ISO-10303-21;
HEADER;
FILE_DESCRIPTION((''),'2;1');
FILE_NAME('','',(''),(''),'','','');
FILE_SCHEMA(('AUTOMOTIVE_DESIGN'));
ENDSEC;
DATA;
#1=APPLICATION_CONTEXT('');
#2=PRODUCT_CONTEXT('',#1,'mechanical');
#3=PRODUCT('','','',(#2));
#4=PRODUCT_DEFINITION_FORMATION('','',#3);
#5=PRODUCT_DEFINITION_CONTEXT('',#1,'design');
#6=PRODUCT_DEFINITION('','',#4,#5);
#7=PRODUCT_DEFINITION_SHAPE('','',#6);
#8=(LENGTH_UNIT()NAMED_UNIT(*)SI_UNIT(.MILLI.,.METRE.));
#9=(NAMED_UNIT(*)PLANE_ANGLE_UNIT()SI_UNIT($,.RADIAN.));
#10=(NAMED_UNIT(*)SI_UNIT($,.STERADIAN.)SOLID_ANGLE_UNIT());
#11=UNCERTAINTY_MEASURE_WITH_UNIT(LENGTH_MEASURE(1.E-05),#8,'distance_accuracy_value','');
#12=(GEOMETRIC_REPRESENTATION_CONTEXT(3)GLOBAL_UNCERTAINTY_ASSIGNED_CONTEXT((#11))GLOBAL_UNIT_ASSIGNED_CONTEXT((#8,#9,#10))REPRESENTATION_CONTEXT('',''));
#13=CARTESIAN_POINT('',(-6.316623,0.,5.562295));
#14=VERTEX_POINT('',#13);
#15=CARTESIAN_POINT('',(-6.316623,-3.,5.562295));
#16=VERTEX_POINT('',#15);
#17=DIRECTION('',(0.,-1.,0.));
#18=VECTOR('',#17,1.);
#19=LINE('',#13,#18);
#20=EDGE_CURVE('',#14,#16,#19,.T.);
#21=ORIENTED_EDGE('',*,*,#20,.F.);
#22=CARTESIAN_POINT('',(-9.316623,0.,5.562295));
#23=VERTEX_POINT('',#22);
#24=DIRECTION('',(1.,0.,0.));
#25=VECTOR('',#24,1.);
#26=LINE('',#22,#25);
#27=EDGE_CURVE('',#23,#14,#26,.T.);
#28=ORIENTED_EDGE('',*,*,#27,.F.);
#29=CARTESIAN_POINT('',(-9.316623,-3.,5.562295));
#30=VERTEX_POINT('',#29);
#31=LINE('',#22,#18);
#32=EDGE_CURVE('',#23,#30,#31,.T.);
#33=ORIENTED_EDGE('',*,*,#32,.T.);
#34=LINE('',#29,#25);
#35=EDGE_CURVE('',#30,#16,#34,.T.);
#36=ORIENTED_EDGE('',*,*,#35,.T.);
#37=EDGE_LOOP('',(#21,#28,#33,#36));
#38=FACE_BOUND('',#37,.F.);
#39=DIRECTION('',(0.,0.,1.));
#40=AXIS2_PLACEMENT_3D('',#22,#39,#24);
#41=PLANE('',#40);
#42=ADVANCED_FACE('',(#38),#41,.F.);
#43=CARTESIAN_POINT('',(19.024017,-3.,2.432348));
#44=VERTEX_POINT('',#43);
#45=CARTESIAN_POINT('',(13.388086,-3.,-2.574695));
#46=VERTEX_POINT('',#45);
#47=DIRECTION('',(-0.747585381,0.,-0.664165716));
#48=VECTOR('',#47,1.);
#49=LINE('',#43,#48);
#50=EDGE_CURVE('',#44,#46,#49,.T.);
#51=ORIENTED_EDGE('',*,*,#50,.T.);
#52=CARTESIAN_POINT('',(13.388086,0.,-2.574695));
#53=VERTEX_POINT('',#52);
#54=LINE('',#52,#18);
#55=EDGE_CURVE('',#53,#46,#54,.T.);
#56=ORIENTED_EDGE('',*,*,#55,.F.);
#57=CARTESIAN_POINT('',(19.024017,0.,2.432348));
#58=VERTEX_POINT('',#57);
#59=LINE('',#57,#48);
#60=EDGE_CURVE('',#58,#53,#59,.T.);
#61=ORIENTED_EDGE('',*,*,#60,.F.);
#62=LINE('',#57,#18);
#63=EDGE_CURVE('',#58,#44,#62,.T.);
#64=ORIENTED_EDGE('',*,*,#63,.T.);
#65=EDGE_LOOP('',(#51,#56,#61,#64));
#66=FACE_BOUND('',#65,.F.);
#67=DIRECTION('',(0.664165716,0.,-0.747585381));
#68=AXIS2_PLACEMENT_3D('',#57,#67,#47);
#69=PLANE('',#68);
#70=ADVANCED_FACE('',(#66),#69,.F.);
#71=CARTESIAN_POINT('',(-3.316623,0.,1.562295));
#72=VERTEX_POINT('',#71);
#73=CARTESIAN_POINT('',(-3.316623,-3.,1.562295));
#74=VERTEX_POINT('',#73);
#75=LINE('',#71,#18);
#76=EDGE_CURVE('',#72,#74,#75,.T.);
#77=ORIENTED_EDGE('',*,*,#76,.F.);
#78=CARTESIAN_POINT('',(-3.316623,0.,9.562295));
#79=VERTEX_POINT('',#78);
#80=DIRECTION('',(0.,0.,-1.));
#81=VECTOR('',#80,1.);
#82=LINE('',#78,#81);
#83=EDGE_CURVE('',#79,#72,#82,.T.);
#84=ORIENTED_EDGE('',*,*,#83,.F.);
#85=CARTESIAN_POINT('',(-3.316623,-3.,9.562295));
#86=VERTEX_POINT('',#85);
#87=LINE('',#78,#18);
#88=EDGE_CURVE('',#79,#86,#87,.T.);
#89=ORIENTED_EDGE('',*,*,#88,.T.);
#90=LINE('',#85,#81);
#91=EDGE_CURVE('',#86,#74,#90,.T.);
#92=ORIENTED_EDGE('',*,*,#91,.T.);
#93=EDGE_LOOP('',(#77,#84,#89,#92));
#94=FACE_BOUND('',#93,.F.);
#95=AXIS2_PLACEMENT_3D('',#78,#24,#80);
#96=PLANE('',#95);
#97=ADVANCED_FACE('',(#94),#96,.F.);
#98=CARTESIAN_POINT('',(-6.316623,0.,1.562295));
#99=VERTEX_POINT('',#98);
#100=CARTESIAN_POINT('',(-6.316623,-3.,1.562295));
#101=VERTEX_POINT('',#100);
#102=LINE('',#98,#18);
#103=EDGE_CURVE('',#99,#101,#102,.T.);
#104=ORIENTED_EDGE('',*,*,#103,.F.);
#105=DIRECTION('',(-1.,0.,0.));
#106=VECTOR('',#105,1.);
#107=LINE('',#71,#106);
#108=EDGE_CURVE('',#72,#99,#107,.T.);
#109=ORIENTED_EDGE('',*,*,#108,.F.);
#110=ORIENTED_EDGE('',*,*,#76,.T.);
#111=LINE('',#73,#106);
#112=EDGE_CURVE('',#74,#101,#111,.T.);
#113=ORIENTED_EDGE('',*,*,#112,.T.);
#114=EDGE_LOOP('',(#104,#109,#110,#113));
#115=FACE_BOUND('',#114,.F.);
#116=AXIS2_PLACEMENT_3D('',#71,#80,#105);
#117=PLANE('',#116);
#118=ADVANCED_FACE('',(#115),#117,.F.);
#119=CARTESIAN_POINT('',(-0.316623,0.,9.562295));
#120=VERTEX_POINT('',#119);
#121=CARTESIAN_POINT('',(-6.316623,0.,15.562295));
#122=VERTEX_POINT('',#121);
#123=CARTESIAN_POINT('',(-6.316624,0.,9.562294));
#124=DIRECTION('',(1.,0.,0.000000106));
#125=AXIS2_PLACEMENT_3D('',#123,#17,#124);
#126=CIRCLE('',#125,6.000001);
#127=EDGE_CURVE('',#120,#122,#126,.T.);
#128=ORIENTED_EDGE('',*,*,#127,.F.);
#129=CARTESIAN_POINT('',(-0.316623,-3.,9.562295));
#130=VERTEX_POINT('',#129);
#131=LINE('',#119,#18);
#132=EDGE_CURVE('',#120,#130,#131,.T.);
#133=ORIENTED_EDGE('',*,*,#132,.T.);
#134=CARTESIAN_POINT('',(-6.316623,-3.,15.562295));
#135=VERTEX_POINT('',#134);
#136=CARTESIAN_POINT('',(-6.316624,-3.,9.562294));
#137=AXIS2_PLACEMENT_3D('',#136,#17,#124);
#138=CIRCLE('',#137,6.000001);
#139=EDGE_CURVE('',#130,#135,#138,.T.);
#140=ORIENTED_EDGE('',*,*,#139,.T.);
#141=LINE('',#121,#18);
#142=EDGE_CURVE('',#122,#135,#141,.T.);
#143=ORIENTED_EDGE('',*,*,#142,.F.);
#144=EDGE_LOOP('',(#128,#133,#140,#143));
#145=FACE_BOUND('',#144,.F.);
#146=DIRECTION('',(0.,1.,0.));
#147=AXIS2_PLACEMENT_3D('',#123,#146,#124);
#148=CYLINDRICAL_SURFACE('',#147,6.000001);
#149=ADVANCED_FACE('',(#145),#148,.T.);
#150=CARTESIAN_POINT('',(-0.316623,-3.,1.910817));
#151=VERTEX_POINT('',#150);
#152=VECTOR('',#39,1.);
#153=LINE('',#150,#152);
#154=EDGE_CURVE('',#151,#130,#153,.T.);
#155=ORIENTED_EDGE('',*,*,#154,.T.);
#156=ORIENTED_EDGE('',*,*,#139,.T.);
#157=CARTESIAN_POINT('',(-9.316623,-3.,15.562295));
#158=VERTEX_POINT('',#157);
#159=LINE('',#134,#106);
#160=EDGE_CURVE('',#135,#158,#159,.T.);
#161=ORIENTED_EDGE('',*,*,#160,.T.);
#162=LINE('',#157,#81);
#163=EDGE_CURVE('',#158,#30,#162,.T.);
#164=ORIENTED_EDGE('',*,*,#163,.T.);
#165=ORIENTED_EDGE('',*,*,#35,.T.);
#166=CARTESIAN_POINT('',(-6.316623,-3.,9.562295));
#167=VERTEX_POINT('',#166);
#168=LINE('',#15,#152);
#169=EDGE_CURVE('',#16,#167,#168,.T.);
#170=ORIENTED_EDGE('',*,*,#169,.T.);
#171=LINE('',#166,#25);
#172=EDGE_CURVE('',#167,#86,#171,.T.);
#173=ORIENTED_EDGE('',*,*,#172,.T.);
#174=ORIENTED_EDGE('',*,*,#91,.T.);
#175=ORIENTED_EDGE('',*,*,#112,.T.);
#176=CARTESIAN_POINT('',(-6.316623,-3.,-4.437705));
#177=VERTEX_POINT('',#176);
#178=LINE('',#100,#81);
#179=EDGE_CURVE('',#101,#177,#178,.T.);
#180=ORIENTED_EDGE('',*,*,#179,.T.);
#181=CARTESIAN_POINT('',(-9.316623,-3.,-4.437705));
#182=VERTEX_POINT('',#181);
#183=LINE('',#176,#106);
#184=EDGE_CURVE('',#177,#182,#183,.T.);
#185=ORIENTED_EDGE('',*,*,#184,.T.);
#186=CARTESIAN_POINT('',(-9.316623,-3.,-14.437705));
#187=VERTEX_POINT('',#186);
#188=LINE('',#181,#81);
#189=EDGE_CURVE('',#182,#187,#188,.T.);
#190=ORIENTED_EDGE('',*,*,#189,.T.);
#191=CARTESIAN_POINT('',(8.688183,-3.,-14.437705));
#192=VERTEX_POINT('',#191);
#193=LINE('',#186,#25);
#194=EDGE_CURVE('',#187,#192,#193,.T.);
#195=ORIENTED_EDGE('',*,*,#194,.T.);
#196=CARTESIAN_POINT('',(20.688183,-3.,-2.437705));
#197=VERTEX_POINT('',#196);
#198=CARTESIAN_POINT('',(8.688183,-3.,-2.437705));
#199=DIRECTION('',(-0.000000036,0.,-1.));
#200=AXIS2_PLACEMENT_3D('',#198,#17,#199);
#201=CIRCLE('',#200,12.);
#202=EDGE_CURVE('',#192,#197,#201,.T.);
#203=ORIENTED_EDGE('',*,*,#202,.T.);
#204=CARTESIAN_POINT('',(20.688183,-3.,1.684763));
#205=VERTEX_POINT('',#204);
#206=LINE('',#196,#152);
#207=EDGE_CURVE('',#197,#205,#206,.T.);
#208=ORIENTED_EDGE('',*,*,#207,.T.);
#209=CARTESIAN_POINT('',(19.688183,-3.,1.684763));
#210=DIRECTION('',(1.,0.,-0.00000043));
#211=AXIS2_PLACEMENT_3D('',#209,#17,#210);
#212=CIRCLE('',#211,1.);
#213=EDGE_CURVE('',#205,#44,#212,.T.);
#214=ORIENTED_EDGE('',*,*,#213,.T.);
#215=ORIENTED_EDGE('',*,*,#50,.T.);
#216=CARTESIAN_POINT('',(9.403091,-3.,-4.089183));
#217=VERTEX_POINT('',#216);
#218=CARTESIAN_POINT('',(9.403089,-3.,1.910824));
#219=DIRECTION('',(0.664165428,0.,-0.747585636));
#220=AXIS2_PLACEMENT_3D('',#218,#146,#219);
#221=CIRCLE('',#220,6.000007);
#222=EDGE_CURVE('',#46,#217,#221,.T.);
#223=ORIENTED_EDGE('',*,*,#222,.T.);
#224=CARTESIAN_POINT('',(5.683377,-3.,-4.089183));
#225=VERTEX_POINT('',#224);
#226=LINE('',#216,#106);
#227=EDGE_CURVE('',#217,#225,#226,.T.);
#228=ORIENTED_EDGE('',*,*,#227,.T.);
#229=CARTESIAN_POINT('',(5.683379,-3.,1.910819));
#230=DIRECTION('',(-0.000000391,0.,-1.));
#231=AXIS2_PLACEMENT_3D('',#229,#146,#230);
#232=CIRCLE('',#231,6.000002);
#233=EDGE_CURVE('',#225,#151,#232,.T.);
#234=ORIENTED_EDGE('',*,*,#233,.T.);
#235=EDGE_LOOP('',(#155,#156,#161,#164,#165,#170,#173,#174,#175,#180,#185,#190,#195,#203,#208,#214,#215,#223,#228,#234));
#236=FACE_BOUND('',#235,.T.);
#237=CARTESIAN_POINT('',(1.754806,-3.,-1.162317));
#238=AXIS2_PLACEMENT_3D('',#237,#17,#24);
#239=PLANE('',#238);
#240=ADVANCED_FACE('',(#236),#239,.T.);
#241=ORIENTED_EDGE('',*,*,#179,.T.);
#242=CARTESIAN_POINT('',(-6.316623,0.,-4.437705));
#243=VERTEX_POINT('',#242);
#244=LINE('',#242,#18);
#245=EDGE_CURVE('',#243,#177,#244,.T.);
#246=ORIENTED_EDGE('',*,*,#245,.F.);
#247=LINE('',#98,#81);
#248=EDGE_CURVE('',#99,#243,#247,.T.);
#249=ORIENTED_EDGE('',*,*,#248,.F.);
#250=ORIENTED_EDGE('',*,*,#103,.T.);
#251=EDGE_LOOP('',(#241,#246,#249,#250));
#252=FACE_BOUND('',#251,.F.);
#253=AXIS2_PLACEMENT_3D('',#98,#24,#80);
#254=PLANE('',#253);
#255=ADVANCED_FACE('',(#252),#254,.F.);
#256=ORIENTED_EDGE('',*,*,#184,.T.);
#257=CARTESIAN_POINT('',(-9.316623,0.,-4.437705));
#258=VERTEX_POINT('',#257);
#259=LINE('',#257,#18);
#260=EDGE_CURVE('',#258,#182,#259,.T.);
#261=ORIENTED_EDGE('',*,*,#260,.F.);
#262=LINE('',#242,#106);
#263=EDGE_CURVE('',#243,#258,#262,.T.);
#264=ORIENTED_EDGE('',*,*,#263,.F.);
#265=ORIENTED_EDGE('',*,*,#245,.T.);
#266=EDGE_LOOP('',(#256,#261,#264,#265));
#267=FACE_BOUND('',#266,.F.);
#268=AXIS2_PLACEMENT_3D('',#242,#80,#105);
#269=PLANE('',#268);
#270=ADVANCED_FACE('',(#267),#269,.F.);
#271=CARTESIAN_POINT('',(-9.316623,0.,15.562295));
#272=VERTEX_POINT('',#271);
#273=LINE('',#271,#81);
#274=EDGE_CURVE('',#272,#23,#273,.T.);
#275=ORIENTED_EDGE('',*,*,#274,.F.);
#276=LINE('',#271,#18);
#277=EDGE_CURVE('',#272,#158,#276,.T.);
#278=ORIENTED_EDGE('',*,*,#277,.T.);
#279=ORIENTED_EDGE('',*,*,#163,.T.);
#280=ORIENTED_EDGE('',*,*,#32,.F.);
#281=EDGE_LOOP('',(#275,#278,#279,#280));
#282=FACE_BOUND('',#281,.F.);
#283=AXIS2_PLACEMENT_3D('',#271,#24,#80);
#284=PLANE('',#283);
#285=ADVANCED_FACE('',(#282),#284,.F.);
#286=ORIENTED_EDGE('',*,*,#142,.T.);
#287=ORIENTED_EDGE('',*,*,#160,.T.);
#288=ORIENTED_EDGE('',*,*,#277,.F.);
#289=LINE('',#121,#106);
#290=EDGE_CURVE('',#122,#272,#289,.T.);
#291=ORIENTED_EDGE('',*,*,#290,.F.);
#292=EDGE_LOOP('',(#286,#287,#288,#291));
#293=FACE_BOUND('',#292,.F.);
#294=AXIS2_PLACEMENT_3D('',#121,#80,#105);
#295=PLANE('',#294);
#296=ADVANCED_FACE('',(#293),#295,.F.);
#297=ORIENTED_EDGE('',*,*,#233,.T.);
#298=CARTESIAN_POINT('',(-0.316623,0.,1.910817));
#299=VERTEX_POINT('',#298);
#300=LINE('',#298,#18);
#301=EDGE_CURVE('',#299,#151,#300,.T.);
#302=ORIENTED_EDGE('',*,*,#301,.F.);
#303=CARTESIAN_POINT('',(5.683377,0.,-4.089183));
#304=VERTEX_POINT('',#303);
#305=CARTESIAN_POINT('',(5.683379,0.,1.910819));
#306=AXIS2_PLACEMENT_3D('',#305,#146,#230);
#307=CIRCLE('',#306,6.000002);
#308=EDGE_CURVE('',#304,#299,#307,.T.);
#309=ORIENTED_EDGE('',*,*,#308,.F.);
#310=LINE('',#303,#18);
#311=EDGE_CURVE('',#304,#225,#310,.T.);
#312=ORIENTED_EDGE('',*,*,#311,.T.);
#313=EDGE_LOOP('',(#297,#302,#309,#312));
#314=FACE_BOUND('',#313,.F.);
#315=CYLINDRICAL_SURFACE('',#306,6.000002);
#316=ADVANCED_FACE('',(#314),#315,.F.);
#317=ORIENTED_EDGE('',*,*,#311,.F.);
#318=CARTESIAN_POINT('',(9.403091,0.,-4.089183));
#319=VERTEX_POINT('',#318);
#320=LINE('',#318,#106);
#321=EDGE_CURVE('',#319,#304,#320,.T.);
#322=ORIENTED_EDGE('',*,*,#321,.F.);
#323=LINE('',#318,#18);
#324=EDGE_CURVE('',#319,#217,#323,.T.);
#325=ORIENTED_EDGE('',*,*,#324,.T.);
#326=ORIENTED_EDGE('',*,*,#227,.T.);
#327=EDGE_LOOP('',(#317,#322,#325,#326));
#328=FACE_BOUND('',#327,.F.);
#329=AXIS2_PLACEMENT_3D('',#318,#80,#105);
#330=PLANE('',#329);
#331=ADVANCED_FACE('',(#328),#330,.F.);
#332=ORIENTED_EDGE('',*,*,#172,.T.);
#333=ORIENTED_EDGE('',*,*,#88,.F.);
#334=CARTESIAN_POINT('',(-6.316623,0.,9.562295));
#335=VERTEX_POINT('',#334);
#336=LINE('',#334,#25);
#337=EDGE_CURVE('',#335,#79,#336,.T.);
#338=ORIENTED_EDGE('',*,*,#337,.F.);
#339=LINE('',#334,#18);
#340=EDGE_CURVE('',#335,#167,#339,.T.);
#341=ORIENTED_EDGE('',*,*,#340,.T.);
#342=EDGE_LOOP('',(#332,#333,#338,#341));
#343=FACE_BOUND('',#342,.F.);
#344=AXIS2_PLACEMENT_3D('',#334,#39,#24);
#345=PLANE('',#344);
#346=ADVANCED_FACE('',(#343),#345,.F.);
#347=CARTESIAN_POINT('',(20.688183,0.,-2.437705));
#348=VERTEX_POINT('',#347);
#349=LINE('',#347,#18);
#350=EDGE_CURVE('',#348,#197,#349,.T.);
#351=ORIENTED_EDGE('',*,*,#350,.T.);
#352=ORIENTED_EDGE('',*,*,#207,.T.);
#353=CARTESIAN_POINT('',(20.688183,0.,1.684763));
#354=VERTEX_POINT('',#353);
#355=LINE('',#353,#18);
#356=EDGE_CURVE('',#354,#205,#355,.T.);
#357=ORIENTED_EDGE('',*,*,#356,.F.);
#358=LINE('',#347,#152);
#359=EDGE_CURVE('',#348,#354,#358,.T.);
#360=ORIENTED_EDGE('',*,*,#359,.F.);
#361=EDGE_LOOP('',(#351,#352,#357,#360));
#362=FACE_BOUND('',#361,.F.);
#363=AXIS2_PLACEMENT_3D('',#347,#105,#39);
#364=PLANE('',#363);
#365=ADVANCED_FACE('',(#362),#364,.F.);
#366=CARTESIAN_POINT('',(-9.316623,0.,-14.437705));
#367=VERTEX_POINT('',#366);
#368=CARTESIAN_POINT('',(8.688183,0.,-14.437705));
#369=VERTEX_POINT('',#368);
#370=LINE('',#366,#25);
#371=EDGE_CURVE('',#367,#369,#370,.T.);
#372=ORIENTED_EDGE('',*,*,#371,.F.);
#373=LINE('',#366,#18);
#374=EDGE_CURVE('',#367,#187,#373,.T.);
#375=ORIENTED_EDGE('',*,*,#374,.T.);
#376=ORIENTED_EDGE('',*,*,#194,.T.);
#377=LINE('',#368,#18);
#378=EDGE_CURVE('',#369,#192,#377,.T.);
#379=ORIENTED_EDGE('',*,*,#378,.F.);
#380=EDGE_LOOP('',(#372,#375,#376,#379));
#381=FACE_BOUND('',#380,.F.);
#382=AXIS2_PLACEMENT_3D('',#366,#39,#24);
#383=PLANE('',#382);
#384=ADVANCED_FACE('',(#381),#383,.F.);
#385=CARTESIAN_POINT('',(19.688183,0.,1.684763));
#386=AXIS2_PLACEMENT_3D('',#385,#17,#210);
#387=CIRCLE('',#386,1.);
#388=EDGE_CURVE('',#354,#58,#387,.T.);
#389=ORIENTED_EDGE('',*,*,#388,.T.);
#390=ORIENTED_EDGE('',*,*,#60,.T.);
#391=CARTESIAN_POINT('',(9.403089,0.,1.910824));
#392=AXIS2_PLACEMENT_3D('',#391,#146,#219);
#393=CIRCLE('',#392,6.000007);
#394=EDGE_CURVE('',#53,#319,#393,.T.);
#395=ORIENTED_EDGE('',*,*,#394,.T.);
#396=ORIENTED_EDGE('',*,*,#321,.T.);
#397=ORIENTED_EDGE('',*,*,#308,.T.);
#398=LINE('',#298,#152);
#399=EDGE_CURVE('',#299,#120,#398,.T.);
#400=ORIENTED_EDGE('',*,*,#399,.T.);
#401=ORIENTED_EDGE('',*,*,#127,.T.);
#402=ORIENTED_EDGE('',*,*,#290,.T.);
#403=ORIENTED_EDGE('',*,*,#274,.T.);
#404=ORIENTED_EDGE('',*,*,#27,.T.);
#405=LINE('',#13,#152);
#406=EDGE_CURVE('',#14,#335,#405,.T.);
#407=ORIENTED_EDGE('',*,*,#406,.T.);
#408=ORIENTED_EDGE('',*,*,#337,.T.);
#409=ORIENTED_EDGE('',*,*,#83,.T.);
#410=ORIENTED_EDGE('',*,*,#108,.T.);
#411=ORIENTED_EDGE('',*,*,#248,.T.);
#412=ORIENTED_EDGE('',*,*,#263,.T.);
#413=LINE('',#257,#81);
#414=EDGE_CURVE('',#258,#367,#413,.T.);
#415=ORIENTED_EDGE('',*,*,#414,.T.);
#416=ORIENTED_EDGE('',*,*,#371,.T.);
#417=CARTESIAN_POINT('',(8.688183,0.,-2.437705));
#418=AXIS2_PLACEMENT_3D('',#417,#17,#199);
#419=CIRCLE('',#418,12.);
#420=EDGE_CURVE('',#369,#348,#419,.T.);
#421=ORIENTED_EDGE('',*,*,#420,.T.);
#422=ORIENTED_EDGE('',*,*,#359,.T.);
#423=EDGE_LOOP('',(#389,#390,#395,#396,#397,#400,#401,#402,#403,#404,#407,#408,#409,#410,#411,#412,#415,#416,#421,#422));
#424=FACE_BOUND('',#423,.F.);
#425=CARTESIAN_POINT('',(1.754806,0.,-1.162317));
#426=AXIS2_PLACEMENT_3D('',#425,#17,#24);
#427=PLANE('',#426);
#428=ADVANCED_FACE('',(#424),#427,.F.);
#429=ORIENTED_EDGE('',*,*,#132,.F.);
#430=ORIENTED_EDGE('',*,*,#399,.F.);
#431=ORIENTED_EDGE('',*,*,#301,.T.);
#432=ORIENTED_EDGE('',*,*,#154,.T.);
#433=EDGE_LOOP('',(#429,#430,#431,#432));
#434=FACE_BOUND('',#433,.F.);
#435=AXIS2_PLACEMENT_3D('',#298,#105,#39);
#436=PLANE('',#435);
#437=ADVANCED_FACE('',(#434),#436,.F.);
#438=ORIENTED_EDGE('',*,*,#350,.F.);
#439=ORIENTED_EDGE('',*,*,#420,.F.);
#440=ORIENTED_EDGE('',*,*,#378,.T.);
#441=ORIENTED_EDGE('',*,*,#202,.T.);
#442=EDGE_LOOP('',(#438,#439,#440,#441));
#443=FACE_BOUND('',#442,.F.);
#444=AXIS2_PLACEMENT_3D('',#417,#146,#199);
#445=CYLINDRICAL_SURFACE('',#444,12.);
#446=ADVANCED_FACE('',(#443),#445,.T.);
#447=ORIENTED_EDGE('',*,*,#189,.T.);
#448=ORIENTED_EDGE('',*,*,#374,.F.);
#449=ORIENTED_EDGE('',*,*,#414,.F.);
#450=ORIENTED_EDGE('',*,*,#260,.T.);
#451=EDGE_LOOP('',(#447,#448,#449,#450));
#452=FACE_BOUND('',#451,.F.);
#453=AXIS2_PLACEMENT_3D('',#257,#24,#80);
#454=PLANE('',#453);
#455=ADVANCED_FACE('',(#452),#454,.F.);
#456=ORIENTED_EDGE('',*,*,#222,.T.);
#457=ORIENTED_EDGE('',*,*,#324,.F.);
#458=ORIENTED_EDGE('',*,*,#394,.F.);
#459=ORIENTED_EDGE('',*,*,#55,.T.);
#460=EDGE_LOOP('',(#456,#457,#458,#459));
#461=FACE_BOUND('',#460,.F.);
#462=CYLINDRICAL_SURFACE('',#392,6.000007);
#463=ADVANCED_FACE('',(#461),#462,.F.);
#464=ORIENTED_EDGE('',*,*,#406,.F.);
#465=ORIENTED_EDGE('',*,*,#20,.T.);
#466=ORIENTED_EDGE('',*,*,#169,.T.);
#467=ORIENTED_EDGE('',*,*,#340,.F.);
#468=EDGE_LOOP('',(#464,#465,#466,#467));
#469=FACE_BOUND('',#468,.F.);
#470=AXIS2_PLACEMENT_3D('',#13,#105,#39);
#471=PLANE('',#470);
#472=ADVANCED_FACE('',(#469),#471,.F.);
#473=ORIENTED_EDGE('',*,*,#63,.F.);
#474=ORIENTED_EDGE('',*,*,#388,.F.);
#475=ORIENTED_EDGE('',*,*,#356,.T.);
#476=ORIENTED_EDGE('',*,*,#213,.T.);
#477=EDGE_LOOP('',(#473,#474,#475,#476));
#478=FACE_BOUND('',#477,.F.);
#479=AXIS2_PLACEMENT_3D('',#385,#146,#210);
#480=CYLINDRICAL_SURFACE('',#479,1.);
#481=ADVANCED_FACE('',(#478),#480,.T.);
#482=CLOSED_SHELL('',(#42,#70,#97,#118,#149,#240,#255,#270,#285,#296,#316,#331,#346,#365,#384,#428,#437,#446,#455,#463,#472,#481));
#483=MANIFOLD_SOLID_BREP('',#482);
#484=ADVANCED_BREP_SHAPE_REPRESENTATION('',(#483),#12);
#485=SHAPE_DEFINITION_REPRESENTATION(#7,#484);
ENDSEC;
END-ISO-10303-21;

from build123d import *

# Parameters (mm, degrees)
F1_DEPTH = 3


with BuildPart() as f1:
    # F0 (on Front) → F1 (new body)
    with BuildSketch(Plane.XZ):
        with BuildLine():
            Line((-9.316623, -4.437705), (-9.316623, -14.437705))
            Line((-9.316623, -14.437705), (8.688183, -14.437705))
            ThreePointArc((8.688183, -14.437705), (17.173464, -10.922987), (20.688183, -2.437705))
            Line((20.688183, -2.437705), (20.688183, 1.684763))
            ThreePointArc((20.688183, 1.684763), (20.09796, 2.596949), (19.024017, 2.432348))
            Line((19.024017, 2.432348), (13.388086, -2.574695))
            ThreePointArc((13.388086, -2.574695), (11.534632, -3.697795), (9.403091, -4.089183))
            Line((9.403091, -4.089183), (5.683377, -4.089183))
            ThreePointArc((5.683377, -4.089183), (1.440737, -2.331823), (-0.316623, 1.910817))
            Line((-0.316623, 1.910817), (-0.316623, 9.562295))
            ThreePointArc((-0.316623, 9.562295), (-2.073982, 13.804935), (-6.316623, 15.562295))
            Line((-6.316623, 15.562295), (-9.316623, 15.562295))
            Line((-9.316623, 15.562295), (-9.316623, 5.562295))
            Line((-9.316623, 5.562295), (-6.316623, 5.562295))
            Line((-6.316623, 5.562295), (-6.316623, 9.562295))
            Line((-6.316623, 9.562295), (-3.316623, 9.562295))
            Line((-3.316623, 9.562295), (-3.316623, 1.562295))
            Line((-3.316623, 1.562295), (-6.316623, 1.562295))
            Line((-6.316623, 1.562295), (-6.316623, -4.437705))
            Line((-6.316623, -4.437705), (-9.316623, -4.437705))
        make_face()
    extrude(amount=F1_DEPTH)


solid = f1.part
